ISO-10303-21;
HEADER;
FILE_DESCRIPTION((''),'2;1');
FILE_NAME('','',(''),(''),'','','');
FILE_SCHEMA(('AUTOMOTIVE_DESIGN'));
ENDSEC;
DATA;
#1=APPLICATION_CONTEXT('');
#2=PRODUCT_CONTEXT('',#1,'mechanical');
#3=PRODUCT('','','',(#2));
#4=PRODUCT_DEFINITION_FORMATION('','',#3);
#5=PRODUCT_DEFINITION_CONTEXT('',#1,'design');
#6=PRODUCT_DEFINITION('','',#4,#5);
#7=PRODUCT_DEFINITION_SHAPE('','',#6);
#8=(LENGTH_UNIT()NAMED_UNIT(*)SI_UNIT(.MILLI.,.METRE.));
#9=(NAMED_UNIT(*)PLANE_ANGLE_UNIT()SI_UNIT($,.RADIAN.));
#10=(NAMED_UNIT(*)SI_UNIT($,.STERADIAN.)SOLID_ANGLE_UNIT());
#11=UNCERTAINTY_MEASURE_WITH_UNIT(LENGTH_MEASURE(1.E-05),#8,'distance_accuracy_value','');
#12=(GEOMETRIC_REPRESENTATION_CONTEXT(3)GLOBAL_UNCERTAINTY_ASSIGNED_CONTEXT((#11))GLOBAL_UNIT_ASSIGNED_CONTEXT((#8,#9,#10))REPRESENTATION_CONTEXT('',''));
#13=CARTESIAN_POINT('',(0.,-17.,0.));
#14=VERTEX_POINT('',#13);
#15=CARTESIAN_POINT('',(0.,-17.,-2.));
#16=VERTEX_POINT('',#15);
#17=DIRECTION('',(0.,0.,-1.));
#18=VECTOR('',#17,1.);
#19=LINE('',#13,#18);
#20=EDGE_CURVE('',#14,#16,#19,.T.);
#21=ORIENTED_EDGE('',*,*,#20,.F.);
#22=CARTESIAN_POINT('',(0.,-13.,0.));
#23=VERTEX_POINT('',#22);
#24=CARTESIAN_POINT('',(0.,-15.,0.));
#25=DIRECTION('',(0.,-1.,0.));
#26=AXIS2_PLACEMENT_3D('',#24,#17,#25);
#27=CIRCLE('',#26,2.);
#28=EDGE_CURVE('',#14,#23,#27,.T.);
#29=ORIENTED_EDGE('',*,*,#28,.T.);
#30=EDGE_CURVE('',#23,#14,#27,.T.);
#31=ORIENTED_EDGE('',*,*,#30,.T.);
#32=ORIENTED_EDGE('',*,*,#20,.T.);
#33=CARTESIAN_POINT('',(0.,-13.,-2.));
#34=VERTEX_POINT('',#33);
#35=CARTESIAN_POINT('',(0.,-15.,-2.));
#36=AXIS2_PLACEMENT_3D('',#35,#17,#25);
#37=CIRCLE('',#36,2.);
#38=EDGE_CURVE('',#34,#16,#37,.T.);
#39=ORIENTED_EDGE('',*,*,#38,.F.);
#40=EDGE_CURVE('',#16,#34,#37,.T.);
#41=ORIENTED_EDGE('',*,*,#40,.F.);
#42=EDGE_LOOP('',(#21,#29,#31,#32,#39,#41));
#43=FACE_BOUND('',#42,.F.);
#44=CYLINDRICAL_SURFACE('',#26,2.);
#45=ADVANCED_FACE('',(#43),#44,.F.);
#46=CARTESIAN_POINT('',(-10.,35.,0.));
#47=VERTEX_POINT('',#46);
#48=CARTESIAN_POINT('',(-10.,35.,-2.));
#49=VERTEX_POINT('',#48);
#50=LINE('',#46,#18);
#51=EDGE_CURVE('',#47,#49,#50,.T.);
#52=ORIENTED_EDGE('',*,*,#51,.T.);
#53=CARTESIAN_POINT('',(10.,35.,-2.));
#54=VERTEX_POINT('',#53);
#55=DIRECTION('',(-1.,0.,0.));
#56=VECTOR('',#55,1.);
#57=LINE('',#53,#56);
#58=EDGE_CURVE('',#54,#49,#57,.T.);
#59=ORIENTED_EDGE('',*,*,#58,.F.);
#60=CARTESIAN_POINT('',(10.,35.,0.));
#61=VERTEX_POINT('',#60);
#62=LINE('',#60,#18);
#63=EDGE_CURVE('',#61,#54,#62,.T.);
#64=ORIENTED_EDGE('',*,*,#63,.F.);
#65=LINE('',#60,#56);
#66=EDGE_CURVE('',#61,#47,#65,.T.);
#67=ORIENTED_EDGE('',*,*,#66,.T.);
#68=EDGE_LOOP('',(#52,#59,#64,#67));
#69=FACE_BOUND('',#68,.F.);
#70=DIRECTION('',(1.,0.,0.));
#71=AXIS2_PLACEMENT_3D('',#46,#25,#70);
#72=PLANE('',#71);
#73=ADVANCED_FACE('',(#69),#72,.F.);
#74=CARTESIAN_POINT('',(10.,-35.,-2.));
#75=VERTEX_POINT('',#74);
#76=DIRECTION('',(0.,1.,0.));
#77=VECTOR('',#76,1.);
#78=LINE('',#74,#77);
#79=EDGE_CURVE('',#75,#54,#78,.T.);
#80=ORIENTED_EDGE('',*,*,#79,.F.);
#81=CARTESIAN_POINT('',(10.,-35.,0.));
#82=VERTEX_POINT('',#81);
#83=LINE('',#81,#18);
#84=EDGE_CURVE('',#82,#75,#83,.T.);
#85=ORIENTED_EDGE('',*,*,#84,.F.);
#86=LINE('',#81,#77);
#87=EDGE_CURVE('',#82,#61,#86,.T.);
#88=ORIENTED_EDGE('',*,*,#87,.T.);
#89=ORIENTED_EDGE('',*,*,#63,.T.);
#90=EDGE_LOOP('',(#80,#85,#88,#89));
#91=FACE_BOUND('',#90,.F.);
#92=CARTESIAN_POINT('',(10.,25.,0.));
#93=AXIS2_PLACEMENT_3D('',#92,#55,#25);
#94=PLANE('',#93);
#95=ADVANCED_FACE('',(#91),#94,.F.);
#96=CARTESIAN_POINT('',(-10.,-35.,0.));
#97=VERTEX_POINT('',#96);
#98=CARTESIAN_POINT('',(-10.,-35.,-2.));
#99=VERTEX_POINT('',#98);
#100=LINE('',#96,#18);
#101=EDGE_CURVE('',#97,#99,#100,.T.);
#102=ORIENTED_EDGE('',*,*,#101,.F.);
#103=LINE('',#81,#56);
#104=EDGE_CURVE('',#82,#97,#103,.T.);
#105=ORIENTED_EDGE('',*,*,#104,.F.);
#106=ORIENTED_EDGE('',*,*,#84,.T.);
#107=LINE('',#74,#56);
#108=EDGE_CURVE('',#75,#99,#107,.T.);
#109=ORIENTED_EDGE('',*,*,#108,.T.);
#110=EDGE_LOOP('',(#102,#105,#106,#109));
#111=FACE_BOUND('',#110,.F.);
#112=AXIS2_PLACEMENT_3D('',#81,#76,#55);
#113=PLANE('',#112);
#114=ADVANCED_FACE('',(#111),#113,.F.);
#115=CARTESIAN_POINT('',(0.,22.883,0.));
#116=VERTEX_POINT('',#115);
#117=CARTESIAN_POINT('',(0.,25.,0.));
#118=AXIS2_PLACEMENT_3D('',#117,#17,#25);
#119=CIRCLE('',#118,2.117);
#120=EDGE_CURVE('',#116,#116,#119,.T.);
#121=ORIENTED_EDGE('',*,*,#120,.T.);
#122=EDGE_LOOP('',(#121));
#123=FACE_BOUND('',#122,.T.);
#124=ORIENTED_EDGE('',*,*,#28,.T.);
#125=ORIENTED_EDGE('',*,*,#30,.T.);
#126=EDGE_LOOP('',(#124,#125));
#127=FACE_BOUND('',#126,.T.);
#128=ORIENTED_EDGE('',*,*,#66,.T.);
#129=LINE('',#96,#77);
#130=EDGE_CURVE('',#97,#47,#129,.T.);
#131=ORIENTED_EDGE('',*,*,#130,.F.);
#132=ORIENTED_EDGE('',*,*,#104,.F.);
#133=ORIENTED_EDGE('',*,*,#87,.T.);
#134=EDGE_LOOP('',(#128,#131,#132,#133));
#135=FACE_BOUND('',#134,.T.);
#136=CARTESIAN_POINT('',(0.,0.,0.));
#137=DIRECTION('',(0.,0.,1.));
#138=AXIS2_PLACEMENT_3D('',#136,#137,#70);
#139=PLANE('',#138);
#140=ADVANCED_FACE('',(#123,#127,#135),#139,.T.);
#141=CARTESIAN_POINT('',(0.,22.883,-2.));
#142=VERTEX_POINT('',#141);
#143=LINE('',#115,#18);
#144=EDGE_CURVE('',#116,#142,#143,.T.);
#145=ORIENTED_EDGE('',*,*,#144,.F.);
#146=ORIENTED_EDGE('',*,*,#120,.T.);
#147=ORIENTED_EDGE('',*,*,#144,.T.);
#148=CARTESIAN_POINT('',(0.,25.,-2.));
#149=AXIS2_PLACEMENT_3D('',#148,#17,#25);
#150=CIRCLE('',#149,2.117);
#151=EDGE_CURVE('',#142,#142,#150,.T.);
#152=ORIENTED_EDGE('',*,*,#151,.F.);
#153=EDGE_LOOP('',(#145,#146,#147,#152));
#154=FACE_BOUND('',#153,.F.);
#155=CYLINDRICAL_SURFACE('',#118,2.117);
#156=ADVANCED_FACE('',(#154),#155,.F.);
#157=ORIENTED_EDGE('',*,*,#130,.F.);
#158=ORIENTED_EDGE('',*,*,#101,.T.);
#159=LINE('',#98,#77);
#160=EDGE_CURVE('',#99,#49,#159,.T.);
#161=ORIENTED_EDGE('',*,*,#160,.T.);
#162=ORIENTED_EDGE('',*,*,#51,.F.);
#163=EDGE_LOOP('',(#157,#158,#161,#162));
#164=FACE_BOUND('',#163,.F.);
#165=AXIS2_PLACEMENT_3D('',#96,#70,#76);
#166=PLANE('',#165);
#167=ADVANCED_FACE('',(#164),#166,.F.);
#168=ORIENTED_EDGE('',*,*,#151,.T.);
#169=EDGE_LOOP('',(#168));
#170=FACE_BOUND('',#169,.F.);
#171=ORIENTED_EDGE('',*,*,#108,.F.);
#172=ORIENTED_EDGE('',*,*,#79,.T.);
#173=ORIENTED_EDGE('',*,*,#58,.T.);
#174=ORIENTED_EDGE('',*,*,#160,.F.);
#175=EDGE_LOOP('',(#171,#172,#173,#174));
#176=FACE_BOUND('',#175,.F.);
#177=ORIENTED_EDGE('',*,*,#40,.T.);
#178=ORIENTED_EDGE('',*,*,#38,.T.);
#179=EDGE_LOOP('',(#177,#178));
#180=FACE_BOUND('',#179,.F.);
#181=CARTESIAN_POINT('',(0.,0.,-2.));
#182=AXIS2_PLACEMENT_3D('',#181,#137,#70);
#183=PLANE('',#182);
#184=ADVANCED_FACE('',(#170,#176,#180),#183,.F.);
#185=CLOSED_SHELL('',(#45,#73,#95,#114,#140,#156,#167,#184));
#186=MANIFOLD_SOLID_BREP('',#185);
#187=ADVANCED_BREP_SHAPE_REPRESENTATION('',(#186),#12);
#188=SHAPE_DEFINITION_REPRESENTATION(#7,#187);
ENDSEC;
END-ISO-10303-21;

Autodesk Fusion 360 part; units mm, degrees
sketch "Sketch1" plane through (0, 0, 0) normal (0, 0, 1) x (1, 0, 0)
  line L0 (10, -35) -> (-10, -35)
  line L1 (-10, -35) -> (-10, 35)
  line L2 (-10, 35) -> (10, 35)
  line L3 (10, 35) -> (10, -35)
  line L4 (10, -35) -> (-10, 35) construction
  line L5 (-10, -35) -> (10, 35) construction
  line L6 (10, 35) -> (0, 35)
  line L7 (0, 35) -> (0, 25)
  line L8 (0, 25) -> (10, 25)
  line L9 (10, 25) -> (10, 35)
  line L10 (0, 25) -> (0, -15)
  circle A0 centre (0, -15) radius 2
  circle A1 centre (0, 25) radius 2.5
  dimension "d1" = 20
  dimension "d2" = 70
  dimension "d3" = 10
  dimension "d4" = 10
  dimension "d5" = 40
  dimension "d25" = 4
  dimension "d26" = 5
extrude "Extrude1" add sketch "Sketch1" against normal blind 2 contours A0 | L0 L1 L2 L3 L7 L8 A1 | L2 L3 L6 L7 L8 L9 A1 | L8 L10 A1 | L7 L8 A1 | L7 L10 A1
hole "Hole1" at (0, 25, 0) direction (0, 0, -1) diameter 4.234 depth 3 tip angle 118
sketch "Sketch2" plane through (0, 0, 0) normal (0, 0, 1) x (1, 0, 0)
  line L0 (2.2126, 24.4763) -> (7.2126, 24.4763) construction
  line L1 (7.2126, 24.4763) -> (7.2126, 28.4763) construction
  line L2 (7.2126, 28.4763) -> (2.2126, 28.4763) construction
  line L3 (2.2126, 28.4763) -> (2.2126, 24.4763) construction
  dimension "d18" = 2
  dimension "d19" = 0
hole "Hole3" at (0, -15, 0) direction (0, 0, -1) diameter 4 depth 20 tip angle 118
equation "d19 = 'M5'"
